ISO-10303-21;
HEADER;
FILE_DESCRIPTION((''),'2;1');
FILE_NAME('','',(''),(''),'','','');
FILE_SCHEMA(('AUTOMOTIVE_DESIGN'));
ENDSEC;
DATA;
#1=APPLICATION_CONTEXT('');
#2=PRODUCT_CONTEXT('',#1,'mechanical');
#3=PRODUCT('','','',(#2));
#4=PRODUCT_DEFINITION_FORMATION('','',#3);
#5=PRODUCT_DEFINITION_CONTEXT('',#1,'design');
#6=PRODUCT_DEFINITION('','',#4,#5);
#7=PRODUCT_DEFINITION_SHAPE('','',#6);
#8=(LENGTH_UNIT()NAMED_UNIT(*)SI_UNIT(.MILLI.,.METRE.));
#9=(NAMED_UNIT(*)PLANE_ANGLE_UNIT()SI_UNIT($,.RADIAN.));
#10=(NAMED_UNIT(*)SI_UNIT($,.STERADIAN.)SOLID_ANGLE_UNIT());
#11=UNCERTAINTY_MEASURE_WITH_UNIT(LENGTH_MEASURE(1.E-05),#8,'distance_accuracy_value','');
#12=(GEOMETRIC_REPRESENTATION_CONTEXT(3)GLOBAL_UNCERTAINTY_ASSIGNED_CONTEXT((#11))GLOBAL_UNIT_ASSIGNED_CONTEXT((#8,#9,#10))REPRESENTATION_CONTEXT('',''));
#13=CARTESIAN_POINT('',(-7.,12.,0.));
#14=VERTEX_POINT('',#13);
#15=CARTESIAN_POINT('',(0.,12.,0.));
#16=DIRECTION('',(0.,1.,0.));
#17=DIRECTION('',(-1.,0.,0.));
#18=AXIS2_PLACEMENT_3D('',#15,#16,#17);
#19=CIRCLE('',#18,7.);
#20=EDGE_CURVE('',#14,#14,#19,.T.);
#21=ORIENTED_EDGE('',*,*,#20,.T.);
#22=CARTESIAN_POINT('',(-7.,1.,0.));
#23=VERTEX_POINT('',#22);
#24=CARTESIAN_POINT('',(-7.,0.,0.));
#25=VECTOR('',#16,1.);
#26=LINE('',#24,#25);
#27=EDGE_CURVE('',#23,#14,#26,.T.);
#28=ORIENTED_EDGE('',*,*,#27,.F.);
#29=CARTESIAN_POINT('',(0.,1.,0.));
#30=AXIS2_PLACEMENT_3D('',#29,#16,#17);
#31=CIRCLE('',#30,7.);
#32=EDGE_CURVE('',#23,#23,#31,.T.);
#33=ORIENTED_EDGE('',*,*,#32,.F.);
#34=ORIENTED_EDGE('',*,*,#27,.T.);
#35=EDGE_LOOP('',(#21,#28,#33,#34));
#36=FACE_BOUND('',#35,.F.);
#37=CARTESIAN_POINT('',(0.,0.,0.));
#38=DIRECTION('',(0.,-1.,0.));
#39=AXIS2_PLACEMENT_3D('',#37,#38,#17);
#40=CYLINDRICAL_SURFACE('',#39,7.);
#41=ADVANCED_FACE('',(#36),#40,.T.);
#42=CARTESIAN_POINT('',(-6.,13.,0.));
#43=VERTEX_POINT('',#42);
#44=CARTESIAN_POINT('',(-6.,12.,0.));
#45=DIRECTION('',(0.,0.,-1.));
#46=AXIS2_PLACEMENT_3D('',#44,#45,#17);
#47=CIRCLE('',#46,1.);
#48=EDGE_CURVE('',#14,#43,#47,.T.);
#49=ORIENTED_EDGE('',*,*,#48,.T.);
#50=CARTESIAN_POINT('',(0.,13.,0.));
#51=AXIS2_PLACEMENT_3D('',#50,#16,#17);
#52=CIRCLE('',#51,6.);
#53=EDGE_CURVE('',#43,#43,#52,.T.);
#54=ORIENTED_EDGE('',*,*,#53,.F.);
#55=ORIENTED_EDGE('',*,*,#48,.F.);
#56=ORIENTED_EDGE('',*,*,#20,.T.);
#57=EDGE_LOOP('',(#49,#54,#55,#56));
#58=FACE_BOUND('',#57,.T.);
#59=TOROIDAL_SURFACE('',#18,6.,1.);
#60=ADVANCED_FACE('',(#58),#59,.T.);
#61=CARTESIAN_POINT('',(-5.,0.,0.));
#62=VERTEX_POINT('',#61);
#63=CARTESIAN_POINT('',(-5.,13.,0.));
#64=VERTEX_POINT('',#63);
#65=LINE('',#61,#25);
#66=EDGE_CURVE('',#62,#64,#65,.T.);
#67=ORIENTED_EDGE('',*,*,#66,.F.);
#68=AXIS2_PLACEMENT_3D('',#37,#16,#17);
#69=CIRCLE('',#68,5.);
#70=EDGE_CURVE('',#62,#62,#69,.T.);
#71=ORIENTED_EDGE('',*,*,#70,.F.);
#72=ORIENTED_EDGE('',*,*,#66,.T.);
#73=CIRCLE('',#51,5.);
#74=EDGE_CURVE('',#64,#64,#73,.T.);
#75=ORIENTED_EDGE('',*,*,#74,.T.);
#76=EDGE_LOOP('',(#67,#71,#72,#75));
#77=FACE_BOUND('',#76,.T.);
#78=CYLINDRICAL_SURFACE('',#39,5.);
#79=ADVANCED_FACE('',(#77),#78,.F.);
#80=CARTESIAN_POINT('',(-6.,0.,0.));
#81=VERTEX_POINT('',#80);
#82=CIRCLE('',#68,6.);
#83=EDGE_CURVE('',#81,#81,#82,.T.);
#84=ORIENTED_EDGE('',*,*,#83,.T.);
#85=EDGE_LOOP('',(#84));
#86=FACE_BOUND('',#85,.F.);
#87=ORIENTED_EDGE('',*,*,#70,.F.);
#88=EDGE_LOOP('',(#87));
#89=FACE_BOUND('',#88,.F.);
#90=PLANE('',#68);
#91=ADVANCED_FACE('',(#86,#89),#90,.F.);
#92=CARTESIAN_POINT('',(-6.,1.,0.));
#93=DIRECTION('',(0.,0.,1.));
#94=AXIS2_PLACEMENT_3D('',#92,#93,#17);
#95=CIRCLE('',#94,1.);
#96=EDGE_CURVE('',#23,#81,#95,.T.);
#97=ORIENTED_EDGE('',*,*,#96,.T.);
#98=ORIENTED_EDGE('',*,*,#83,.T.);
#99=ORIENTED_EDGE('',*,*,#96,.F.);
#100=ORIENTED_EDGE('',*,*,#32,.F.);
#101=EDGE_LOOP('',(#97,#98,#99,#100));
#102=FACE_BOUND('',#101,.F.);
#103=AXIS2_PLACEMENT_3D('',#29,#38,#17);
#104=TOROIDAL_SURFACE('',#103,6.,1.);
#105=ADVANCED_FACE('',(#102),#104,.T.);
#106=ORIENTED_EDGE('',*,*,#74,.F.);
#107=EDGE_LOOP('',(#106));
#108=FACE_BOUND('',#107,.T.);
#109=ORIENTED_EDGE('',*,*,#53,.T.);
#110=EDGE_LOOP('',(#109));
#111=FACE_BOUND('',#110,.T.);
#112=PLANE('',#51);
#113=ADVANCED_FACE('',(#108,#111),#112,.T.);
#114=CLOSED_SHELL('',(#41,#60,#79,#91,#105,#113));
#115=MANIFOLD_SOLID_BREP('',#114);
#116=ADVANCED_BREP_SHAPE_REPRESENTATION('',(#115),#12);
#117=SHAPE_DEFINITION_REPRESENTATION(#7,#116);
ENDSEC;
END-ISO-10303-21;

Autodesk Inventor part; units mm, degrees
ref_plane "YZ Plane" through (0, 0, 0) normal (1, 0, 0) x (0, 1, 0)
ref_plane "XZ Plane" through (0, 0, 0) normal (0, 1, 0) x (-1, 0, 0)
ref_plane "XY Plane" through (0, 0, 0) normal (0, 0, 1) x (1, 0, 0)
sketch "Sketch1" plane through (0, 0, 0) normal (0, 1, 0) x (-1, 0, 0)
  circle A0 centre (0, 0) radius 5
  circle A1 centre (0, 0) radius 7
  dimension "d0" = 10
  dimension "d1" = 14
extrude "Extrusion1" add sketch "Sketch1" along normal blind 13
fillet "Fillet1" radius 1 2 edges at (7, 13, 0) (7, 0, 0)
properties part number "Dribbler Roller"
